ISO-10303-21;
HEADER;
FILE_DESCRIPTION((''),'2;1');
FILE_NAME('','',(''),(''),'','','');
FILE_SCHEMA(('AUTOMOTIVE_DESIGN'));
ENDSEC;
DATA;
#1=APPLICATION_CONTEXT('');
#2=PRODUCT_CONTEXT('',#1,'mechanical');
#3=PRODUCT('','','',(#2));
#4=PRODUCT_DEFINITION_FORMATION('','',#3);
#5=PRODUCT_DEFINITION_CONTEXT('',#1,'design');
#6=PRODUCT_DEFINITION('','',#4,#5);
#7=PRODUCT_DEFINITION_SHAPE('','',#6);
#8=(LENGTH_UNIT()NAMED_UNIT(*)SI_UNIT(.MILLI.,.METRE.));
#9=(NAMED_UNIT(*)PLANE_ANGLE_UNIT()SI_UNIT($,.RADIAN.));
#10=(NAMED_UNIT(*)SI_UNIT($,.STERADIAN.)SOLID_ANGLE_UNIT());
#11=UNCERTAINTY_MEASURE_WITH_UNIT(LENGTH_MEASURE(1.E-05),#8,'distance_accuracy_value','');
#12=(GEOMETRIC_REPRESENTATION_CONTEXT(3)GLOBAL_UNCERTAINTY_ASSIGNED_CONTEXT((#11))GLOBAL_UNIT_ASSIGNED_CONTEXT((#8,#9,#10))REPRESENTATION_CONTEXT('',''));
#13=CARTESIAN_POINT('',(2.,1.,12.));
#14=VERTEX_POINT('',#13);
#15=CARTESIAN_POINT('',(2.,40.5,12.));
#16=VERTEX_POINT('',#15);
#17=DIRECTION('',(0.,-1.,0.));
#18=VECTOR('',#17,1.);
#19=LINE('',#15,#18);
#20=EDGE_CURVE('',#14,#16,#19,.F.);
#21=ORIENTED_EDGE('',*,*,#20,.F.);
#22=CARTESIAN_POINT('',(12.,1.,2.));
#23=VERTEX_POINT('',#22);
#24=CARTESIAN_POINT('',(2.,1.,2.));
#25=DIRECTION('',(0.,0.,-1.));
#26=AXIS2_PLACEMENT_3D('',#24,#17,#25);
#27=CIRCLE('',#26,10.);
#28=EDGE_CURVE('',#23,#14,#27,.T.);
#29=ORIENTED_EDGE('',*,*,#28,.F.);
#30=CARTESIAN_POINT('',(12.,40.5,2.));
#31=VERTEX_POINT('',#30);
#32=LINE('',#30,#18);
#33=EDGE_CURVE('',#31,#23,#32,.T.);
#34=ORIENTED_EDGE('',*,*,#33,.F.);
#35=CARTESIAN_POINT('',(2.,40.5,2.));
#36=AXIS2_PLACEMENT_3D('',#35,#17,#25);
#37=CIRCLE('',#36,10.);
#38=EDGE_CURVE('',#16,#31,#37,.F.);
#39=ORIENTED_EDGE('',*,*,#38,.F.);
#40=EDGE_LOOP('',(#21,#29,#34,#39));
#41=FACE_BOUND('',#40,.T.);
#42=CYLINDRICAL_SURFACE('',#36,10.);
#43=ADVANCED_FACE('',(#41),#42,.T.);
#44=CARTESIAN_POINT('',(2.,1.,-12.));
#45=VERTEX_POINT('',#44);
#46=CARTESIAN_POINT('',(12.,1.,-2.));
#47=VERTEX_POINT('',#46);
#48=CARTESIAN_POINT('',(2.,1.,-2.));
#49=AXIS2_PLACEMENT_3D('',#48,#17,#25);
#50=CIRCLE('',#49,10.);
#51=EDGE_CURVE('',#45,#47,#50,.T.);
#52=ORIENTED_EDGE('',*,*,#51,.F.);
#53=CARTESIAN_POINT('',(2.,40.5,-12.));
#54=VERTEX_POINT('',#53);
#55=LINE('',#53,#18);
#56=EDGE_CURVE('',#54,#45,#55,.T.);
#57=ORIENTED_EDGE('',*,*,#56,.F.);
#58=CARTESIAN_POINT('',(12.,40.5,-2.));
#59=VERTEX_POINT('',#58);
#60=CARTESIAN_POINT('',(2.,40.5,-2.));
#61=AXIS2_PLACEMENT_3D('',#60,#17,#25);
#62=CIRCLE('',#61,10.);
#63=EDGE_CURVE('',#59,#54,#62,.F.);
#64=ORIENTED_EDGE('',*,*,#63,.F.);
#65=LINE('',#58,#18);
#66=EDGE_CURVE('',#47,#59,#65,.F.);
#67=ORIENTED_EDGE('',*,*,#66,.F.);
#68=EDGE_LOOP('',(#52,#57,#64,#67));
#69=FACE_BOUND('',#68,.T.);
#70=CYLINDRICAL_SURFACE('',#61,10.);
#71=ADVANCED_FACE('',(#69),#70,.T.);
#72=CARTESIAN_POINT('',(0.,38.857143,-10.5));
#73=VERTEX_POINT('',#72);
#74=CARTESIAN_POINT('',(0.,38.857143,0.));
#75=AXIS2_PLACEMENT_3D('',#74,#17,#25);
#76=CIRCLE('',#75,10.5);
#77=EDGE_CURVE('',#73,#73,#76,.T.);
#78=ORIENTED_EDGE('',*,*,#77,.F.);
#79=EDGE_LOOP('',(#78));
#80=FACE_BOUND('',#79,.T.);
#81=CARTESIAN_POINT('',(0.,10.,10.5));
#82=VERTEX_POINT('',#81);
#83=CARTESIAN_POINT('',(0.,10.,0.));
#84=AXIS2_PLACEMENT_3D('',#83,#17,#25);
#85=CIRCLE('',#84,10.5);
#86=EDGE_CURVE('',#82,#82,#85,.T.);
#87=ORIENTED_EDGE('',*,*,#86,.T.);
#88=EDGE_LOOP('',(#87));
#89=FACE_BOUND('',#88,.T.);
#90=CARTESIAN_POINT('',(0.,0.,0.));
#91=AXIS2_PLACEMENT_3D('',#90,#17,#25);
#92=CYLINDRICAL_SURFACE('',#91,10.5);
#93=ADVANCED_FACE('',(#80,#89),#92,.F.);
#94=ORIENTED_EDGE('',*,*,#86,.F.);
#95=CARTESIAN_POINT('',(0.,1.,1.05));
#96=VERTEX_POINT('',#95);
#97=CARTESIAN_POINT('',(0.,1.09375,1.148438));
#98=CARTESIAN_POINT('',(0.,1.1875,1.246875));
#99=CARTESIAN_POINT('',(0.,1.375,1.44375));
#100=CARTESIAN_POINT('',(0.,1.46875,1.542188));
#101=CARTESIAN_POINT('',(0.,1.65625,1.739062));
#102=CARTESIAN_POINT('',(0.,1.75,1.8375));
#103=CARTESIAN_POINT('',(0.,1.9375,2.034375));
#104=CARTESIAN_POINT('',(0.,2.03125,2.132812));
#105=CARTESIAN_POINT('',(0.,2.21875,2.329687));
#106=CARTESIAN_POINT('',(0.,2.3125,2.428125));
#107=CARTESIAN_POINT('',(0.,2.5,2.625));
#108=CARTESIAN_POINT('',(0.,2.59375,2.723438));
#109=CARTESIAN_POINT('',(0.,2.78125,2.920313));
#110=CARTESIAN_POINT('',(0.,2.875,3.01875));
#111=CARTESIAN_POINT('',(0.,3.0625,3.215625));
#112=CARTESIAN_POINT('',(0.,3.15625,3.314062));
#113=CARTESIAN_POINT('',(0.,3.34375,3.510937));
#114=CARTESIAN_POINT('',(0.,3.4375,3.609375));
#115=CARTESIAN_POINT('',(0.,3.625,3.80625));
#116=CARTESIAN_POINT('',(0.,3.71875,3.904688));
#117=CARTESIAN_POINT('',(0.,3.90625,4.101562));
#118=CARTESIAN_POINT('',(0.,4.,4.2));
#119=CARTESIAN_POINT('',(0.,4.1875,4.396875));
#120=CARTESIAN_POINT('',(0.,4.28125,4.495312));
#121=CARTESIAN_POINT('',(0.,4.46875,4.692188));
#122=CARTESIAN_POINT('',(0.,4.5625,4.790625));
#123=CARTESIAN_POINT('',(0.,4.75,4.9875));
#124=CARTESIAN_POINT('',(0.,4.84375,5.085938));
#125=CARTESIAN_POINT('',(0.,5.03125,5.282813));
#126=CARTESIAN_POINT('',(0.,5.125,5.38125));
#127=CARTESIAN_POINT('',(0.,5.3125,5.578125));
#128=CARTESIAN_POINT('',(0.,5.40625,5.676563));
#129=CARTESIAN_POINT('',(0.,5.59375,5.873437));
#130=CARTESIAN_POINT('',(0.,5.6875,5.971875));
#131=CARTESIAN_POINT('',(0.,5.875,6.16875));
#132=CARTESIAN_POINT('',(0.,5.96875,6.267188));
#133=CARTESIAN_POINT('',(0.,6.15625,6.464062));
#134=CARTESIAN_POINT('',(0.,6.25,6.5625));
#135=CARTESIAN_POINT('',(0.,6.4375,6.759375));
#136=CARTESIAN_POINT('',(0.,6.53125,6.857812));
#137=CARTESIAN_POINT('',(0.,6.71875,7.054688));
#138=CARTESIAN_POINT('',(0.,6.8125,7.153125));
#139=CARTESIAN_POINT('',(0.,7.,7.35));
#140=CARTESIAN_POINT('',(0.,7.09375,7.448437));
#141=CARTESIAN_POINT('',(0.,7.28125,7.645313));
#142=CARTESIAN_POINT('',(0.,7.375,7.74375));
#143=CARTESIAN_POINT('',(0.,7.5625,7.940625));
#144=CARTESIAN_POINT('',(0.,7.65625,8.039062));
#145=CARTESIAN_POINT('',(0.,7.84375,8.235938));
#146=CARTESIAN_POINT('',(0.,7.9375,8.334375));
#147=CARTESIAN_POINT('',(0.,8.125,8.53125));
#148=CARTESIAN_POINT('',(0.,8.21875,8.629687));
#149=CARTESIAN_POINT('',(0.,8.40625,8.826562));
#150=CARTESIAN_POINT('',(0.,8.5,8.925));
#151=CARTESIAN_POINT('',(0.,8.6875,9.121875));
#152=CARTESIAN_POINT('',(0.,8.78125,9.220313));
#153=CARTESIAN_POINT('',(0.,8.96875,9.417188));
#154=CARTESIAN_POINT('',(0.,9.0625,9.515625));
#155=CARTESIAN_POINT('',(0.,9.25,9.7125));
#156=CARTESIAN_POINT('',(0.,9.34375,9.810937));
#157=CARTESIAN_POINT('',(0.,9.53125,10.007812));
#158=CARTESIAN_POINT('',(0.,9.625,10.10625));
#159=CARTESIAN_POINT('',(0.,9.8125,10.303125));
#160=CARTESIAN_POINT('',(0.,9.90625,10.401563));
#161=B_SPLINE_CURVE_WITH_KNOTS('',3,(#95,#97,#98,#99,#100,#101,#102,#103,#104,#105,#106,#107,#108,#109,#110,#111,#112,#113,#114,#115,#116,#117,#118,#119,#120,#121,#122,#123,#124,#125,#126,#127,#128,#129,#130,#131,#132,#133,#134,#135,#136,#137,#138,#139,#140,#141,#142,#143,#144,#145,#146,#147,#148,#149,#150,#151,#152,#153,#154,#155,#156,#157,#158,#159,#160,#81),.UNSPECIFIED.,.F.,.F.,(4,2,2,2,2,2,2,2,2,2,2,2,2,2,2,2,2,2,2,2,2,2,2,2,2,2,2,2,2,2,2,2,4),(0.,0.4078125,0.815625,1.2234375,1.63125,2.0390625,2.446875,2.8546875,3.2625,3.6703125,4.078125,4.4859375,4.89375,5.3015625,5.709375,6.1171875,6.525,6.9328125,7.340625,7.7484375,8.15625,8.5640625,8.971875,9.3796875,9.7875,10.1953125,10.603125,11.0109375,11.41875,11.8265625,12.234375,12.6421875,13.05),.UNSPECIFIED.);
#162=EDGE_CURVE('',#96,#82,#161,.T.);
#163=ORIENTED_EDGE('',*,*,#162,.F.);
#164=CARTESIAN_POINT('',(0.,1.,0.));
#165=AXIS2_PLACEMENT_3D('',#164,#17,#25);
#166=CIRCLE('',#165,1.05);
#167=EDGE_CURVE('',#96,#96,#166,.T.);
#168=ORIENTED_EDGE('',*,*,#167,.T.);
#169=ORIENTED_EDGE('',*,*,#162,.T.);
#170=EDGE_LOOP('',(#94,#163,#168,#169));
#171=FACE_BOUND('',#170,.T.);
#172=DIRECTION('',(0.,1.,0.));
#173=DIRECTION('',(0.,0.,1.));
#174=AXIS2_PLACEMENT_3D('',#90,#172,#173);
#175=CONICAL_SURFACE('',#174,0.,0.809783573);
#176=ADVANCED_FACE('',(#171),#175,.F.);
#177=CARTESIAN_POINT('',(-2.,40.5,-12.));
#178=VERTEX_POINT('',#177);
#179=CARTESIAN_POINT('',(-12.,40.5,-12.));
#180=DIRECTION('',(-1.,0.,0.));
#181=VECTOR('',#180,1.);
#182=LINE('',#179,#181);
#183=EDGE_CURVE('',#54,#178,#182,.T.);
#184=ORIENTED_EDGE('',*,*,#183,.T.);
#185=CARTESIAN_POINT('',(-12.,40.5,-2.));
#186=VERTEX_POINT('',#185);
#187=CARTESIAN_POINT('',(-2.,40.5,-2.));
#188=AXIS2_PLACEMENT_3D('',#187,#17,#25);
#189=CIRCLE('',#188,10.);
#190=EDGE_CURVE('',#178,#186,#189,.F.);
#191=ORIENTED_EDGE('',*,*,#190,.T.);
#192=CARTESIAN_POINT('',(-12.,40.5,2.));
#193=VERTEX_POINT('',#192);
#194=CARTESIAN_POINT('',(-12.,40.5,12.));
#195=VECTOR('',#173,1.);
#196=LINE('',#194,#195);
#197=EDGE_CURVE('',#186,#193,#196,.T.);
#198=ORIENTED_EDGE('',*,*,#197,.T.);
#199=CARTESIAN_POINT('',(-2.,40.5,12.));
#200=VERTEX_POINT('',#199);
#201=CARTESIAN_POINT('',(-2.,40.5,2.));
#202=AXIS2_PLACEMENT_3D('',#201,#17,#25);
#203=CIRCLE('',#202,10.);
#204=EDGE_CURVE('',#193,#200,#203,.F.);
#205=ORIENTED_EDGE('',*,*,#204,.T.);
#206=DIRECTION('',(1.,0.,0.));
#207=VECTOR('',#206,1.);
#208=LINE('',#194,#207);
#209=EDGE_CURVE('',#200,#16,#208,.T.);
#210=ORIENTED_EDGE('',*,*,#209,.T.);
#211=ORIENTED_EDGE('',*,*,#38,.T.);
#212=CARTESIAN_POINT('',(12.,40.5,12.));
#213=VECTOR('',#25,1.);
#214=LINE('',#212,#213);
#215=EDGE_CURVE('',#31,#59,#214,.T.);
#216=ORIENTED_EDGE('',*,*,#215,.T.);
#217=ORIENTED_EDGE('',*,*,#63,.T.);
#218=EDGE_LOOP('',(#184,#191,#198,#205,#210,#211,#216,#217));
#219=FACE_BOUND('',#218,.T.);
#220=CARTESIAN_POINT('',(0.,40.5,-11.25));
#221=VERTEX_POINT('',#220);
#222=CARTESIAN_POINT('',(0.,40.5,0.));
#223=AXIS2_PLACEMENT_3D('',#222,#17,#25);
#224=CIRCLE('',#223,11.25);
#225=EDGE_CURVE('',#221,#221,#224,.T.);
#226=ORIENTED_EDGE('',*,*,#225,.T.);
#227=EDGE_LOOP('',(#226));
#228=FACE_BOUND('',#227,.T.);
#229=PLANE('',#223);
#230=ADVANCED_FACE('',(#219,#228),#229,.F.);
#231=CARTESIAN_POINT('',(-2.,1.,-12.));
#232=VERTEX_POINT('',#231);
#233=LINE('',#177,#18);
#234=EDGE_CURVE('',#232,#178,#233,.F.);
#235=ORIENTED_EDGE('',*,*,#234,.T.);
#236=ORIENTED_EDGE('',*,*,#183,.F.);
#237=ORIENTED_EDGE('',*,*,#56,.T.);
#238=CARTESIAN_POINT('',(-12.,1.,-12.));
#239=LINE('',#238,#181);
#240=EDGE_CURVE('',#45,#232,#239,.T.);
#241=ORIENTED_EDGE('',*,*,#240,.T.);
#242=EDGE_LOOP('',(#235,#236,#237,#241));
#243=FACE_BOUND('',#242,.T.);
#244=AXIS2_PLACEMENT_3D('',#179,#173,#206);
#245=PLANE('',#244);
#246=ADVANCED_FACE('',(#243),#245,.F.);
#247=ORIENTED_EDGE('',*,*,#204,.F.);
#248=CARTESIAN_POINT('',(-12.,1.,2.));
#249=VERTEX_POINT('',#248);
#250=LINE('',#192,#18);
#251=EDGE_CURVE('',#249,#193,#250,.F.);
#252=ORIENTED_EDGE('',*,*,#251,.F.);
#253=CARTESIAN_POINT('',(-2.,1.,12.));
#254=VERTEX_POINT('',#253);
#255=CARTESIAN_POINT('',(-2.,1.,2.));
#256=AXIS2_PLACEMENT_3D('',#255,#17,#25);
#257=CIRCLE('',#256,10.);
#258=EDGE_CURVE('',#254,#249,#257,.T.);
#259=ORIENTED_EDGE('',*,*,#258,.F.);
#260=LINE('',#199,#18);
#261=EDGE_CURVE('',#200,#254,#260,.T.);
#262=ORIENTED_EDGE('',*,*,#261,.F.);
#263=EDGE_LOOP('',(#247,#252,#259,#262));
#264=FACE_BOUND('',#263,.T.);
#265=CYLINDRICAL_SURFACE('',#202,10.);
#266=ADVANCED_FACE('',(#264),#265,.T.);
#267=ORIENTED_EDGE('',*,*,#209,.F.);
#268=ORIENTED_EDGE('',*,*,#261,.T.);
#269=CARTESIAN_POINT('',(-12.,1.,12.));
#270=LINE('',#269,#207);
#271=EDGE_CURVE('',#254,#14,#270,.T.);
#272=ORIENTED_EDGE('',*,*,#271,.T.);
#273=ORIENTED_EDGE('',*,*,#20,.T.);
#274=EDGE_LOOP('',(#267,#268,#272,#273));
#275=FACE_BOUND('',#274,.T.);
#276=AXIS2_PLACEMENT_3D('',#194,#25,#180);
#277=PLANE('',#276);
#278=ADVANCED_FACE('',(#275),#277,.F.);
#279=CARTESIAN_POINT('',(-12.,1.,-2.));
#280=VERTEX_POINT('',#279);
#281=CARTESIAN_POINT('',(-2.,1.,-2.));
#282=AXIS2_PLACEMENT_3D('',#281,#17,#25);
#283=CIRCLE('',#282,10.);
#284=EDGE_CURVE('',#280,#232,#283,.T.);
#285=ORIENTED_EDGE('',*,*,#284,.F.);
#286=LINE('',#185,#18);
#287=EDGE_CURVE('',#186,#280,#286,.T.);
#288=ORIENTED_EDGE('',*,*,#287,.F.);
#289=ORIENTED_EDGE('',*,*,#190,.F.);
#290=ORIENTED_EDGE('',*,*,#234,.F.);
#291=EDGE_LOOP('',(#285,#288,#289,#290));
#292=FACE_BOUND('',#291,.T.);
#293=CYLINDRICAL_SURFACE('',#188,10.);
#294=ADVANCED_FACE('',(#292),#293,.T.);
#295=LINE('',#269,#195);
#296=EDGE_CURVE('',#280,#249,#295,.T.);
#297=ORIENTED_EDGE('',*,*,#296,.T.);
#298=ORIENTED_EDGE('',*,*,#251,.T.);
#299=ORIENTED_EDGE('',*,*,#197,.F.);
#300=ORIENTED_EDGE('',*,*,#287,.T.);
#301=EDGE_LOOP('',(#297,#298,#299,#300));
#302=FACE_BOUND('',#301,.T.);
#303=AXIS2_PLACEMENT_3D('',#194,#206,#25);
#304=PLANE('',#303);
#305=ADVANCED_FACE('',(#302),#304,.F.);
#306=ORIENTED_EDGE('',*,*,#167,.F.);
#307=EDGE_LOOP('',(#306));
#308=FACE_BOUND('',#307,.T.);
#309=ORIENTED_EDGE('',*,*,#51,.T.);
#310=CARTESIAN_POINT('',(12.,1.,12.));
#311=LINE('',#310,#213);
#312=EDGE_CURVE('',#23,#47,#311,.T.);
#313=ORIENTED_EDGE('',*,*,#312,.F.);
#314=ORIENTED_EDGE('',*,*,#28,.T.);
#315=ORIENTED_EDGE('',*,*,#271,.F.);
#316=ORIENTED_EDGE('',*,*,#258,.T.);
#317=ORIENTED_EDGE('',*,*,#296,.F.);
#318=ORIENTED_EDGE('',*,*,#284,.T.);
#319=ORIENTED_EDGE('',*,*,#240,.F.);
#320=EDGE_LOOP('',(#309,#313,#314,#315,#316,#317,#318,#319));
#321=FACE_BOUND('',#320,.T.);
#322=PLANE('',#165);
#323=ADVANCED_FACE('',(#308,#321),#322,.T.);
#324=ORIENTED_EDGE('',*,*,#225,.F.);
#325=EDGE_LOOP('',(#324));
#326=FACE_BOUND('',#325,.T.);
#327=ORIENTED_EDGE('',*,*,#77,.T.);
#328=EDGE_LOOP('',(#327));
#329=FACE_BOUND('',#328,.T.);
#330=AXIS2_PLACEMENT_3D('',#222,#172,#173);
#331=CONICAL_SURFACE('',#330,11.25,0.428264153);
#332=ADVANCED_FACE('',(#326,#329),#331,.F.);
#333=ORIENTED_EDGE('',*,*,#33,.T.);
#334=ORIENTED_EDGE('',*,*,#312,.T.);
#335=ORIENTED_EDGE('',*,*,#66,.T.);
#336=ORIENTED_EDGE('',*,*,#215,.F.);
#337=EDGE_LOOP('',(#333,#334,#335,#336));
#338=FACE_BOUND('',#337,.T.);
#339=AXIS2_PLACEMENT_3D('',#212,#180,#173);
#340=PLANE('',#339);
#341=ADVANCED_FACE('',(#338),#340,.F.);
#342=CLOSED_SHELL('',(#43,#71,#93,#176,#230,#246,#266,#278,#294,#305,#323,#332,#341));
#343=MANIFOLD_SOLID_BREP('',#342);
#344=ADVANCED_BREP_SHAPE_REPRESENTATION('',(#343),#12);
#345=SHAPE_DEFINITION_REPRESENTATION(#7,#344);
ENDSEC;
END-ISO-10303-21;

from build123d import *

# Parameters (mm, degrees)
BOSS_EXTRUDE2_START = 1
SKETCH3_W           = 24
SKETCH3_H           = 24
BOSS_EXTRUDE2_DEPTH = 39.5
FILLET1_R           = 10


with BuildPart() as part:
    # Sketch1 → Revolve1 (revolve)
    with BuildSketch(Plane(origin=(0, 0, 0), x_dir=(0, 0, -1), z_dir=(1, 0, 0))):
        Polygon((0, 0), (10.5, 10), (10.5, 38.857142857), (11.25, 40.5), (11.25, 44.5), (0, 44.5), align=None)
    revolve(axis=Axis((0, 0, 0), (0, 1, 0)))


with BuildPart() as body_2:
    # Sketch3 → Boss-Extrude2 (new body)
    with BuildSketch(Plane(origin=(0, 0, 0), x_dir=(1, 0, 0), z_dir=(0, 1, 0)).offset(BOSS_EXTRUDE2_START)):
        Rectangle(SKETCH3_W, SKETCH3_H)
    extrude(amount=BOSS_EXTRUDE2_DEPTH)

    # Combine1: cut part
    add(part.part, mode=Mode.SUBTRACT)

    # Fillet1
    fillet1_edges = [body_2.edges().sort_by_distance(p)[0] for p in [
        (12, 20.75, 12),
        (-12, 20.75, 12),
        (-12, 20.75, -12),
        (12, 20.75, -12),
    ]]
    fillet(fillet1_edges, radius=FILLET1_R)


solid = body_2.part
